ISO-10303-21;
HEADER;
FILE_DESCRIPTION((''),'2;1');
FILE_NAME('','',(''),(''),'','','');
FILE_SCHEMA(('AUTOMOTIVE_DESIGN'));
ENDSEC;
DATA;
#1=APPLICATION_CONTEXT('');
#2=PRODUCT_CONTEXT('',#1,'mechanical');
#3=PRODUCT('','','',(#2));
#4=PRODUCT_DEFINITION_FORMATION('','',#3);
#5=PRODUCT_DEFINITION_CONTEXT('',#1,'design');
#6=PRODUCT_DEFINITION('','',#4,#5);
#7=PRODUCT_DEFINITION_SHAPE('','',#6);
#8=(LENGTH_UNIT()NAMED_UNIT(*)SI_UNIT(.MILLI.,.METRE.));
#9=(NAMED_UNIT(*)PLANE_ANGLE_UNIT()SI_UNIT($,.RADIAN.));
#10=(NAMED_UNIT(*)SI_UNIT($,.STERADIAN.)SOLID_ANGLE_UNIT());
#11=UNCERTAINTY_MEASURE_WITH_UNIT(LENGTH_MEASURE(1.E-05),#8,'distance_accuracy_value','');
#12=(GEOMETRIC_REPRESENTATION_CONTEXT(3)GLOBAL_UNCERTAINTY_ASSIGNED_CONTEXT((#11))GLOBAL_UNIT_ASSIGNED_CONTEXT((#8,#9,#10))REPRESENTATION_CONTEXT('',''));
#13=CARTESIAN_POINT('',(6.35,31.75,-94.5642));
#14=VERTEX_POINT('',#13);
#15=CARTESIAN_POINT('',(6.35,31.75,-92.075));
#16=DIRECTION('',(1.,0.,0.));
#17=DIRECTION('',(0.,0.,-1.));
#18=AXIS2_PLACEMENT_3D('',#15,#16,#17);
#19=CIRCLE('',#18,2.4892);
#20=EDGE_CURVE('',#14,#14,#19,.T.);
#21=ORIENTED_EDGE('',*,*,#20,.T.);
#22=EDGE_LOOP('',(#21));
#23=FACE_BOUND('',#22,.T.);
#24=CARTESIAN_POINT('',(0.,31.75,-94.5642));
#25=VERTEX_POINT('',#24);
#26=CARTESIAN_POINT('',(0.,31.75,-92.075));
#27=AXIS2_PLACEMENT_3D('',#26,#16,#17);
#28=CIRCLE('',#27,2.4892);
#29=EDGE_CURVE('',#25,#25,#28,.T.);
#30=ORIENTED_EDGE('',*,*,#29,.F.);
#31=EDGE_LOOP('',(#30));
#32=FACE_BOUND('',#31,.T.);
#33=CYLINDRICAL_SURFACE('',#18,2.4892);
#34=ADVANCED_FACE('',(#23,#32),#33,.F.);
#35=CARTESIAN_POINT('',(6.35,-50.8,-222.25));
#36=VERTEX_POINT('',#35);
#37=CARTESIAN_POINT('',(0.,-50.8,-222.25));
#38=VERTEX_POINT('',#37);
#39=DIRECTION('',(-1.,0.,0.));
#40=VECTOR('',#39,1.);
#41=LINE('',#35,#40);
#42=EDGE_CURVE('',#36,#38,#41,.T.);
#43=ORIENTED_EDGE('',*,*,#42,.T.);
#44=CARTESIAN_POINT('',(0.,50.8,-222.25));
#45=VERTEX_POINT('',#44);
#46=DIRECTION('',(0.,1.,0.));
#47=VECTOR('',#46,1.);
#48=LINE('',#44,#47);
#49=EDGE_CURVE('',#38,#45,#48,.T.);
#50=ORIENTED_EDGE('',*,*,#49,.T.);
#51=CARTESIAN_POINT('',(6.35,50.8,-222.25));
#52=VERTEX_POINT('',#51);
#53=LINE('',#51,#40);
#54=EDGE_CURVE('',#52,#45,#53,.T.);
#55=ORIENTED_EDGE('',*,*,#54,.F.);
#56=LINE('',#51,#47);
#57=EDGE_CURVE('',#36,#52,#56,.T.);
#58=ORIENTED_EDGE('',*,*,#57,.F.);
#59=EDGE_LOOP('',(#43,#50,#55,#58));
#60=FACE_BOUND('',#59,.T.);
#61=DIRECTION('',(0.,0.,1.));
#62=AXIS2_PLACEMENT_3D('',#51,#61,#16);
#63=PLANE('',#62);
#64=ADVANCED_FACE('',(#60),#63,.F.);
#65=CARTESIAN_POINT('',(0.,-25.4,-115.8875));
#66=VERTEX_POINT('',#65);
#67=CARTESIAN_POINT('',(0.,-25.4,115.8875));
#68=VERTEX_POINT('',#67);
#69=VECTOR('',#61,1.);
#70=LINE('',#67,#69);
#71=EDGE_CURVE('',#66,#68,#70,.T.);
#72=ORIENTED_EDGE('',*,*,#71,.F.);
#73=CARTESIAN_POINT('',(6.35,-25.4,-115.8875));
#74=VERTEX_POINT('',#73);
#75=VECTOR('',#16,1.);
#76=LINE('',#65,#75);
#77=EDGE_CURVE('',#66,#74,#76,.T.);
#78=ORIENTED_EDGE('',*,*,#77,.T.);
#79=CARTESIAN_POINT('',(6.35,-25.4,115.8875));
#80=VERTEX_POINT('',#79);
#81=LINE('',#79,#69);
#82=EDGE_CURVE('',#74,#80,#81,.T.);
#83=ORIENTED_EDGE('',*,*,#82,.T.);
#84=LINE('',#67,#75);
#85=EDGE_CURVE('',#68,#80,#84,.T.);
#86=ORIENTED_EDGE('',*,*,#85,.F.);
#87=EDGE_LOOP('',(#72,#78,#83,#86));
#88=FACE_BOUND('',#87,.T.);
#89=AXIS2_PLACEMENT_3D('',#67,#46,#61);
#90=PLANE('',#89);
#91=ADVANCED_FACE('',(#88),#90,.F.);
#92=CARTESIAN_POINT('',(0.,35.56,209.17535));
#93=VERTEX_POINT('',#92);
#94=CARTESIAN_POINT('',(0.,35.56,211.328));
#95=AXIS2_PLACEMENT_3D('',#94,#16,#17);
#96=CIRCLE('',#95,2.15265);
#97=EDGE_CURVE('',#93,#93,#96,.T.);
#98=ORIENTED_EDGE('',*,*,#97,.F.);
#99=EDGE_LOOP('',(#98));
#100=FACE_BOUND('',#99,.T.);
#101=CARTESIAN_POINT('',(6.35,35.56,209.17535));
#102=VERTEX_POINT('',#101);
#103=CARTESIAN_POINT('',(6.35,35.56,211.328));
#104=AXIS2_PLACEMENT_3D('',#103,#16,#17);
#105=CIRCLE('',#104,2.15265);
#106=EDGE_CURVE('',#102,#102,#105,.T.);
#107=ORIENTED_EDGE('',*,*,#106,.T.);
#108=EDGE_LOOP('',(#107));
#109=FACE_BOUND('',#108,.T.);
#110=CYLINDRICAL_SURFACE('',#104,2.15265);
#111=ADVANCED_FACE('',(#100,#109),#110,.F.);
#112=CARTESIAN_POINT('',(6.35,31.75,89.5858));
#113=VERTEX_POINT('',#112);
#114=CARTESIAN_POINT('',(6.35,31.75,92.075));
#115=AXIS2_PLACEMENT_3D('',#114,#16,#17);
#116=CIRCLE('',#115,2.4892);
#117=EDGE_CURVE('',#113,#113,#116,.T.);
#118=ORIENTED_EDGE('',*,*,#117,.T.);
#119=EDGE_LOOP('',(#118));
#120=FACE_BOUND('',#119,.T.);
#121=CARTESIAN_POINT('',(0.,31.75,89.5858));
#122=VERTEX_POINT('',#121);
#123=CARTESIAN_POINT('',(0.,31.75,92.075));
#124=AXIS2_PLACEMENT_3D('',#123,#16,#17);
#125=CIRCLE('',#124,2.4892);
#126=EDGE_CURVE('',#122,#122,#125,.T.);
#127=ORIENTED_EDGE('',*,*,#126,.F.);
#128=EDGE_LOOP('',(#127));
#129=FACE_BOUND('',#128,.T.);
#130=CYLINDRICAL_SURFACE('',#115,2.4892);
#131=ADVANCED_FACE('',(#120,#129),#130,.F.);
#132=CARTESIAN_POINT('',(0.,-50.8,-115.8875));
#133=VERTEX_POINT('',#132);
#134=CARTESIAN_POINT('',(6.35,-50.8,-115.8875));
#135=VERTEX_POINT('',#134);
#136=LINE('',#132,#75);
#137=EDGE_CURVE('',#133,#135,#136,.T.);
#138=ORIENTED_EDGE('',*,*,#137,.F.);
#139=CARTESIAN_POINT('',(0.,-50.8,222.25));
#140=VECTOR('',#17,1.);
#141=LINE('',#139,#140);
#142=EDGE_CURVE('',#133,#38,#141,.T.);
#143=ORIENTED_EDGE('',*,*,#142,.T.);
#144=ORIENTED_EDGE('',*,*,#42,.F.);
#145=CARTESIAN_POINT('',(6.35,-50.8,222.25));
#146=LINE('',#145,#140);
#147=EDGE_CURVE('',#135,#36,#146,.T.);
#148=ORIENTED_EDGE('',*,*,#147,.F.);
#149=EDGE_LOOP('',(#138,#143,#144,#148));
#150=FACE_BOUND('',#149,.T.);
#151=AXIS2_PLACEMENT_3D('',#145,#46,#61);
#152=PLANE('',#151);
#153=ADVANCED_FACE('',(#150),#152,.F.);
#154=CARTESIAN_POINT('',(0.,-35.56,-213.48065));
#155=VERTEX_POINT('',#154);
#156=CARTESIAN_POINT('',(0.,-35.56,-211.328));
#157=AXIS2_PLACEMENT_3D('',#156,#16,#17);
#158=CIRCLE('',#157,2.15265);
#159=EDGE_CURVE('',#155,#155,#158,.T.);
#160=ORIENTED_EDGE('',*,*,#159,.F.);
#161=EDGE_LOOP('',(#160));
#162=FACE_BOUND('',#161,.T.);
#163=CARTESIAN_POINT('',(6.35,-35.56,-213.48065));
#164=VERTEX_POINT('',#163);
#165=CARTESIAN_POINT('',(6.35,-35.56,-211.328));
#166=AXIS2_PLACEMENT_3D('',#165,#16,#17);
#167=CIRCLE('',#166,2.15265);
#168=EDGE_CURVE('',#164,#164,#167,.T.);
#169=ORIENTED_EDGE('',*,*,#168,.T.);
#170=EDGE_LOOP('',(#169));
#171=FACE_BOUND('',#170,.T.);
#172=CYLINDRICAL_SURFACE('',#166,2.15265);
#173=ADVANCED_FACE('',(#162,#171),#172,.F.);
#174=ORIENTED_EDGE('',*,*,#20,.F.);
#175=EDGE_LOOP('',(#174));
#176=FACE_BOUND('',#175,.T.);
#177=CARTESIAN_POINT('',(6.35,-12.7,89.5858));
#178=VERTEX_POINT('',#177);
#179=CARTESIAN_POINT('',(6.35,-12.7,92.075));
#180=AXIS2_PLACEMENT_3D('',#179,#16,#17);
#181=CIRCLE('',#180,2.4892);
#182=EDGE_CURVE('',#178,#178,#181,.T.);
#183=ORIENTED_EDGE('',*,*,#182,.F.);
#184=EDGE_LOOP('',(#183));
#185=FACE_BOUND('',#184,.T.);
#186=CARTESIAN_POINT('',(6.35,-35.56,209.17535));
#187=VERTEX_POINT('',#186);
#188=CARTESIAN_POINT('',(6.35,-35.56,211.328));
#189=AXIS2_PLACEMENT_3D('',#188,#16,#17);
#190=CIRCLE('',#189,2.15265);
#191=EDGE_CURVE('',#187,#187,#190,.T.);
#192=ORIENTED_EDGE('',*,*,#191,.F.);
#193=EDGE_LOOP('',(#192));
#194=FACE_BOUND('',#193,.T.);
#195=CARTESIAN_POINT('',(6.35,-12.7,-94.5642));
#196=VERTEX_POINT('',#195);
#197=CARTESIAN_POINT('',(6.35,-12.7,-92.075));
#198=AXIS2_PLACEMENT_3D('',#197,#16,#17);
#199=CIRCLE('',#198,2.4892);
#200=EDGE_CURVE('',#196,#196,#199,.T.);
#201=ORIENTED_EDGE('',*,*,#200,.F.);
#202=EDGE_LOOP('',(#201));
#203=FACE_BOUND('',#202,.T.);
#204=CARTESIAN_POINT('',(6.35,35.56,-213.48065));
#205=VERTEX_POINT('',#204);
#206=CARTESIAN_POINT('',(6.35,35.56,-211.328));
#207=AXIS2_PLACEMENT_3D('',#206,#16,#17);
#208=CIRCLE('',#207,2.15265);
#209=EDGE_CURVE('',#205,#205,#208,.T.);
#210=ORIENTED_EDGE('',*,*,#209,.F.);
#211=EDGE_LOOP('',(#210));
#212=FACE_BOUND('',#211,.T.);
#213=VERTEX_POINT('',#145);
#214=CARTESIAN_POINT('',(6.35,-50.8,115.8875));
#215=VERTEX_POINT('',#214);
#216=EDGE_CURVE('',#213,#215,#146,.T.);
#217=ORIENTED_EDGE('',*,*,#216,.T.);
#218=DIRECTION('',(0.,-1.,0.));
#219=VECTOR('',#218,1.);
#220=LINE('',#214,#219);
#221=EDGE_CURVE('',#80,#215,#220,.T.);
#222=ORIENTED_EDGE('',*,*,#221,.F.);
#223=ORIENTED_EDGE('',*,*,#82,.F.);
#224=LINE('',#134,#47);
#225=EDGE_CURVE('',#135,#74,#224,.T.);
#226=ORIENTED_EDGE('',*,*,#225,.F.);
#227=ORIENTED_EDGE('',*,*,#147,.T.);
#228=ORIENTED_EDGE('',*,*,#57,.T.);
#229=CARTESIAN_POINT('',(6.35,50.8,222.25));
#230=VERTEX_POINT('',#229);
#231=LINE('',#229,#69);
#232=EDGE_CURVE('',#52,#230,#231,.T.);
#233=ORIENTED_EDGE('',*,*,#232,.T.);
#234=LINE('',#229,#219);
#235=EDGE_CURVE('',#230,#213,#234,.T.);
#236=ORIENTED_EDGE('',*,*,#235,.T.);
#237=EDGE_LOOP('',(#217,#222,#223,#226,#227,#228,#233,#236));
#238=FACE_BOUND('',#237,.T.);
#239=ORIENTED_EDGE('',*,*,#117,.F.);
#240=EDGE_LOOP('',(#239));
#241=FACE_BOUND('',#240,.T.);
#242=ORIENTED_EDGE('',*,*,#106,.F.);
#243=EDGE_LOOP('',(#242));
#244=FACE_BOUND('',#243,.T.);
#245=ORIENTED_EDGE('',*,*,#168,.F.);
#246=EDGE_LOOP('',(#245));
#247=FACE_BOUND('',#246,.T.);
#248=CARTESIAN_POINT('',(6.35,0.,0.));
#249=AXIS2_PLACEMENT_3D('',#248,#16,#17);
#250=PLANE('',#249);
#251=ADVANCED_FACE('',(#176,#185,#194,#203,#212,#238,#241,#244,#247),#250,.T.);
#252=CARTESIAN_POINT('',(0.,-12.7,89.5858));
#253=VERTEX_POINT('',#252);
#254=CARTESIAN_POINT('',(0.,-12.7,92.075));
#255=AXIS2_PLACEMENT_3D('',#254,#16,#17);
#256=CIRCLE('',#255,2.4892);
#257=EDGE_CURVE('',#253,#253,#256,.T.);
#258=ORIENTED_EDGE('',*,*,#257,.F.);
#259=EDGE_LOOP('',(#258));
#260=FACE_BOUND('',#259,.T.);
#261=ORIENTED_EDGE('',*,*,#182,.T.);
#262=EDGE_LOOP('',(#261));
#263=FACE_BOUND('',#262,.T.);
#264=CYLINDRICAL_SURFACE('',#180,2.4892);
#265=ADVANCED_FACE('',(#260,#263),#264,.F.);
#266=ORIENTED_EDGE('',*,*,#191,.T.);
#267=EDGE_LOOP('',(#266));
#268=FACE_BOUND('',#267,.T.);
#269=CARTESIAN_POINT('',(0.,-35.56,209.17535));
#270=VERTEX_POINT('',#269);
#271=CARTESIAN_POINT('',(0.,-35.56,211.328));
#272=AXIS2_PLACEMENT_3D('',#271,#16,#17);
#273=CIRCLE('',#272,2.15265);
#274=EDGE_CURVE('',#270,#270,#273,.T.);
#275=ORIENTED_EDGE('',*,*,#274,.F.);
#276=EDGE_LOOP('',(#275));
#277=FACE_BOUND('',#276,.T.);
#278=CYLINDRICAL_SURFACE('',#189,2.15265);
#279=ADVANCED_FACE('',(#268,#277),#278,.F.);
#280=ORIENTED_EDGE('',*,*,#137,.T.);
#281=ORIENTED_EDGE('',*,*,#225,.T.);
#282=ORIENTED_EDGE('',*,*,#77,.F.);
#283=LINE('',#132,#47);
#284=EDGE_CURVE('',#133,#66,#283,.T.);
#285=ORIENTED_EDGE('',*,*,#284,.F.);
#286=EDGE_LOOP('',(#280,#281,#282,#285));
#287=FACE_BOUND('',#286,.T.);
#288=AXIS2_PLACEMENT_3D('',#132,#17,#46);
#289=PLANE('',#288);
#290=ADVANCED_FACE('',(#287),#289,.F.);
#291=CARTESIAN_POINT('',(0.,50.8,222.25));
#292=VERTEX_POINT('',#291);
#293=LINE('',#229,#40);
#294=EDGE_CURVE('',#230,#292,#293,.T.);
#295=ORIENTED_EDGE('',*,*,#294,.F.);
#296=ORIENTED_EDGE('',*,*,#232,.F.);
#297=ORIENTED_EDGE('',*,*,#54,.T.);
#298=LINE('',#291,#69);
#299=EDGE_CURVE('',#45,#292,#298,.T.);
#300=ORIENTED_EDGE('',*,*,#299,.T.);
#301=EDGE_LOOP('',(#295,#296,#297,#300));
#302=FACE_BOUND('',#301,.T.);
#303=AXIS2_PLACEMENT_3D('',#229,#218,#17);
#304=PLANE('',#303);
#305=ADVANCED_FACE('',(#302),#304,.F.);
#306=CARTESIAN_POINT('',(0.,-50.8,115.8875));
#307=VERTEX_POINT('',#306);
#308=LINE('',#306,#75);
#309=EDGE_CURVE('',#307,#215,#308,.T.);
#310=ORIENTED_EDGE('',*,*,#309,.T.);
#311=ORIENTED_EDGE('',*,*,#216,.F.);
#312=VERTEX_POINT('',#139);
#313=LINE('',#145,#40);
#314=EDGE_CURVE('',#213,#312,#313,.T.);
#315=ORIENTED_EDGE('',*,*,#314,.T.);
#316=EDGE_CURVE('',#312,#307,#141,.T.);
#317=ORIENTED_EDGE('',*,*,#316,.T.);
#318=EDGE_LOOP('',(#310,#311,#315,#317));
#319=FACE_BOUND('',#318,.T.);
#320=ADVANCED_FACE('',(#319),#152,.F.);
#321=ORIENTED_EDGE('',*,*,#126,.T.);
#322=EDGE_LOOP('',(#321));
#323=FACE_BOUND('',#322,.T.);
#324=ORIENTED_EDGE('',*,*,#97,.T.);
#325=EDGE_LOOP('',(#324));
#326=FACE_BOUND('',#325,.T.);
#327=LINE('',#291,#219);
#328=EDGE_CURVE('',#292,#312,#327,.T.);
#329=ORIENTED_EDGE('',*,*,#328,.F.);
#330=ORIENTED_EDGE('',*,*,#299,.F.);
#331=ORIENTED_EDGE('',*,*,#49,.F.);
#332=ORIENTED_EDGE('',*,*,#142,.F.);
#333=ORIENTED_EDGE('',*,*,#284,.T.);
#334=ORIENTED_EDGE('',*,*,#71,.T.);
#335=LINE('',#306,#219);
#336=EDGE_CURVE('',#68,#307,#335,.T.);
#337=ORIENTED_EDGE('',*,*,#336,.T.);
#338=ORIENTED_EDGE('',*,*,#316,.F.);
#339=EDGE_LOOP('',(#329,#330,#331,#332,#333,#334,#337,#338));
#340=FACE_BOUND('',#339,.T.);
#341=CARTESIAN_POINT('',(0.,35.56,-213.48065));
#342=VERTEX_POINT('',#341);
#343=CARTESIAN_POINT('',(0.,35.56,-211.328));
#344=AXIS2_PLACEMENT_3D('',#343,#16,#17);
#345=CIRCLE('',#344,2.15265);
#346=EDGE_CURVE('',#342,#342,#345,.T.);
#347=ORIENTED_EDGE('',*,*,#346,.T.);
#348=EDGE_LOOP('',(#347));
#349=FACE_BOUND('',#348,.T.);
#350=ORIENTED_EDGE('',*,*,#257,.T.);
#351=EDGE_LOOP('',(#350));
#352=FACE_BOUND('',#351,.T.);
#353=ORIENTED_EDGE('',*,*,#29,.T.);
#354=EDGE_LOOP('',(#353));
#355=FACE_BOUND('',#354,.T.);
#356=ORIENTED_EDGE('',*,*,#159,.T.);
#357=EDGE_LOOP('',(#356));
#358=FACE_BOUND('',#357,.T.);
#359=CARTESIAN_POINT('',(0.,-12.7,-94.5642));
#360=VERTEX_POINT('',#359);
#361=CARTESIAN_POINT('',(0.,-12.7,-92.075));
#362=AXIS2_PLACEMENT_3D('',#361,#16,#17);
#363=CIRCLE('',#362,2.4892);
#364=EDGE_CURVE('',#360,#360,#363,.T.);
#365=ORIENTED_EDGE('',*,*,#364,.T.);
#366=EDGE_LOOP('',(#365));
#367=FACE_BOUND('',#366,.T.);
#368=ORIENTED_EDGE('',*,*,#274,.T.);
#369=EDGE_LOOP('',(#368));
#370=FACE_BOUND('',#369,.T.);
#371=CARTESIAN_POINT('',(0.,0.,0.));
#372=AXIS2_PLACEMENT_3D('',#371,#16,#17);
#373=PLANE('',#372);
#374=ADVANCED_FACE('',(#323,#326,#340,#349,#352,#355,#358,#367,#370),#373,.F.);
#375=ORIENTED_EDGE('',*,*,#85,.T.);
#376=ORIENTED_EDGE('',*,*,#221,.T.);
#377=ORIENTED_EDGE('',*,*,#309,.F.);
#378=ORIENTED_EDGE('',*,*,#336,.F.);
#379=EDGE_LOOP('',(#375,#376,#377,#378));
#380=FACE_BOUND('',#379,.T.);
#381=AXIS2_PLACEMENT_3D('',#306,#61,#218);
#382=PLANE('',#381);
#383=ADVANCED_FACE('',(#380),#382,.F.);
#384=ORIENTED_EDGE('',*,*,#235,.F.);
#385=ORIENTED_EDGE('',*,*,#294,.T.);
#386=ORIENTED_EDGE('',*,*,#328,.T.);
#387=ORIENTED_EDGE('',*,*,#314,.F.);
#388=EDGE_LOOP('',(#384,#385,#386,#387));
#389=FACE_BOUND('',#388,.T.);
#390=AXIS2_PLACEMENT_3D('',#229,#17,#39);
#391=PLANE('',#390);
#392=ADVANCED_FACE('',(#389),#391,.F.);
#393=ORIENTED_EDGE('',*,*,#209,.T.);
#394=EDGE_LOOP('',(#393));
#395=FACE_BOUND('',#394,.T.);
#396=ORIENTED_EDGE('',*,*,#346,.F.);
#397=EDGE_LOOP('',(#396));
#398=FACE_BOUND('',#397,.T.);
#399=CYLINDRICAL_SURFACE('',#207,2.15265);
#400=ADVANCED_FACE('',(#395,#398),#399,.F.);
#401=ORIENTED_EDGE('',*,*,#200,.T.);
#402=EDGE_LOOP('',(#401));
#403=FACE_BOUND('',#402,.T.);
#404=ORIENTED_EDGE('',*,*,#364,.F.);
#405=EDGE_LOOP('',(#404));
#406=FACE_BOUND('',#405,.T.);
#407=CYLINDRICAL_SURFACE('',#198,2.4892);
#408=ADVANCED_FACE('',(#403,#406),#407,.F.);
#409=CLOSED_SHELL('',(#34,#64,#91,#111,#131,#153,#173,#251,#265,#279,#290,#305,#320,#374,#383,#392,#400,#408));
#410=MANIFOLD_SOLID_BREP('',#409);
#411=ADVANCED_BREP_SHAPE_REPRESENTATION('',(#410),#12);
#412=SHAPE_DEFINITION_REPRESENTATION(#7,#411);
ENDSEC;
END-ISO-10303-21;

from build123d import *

# Parameters (mm, degrees)
SKETCH1_W              = 444.5
SKETCH1_H              = 101.6
BOSS_EXTRUDE1_DEPTH    = 6.35
F_10_CLEARANCE_HOLE1_D = 4.9784
F_8_CLEARANCE_HOLE1_D  = 4.3053
SKETCH12_W             = 231.775
SKETCH12_H             = 25.4
CUT_EXTRUDE2_DEPTH     = 229.07021945


with BuildPart() as part:
    # Sketch1 → Boss-Extrude1 (new body)
    with BuildSketch(Plane(origin=(0, 0, 0), x_dir=(0, 0, -1), z_dir=(1, 0, 0))):
        Rectangle(SKETCH1_W, SKETCH1_H)
    extrude(amount=BOSS_EXTRUDE1_DEPTH)

    # #10 Clearance Hole1 (through all)
    with Locations(Plane(origin=(6.35, 0, 0), x_dir=(0, 0, -1), z_dir=(1, 0, 0))):
        with Locations((92.075, 31.75), (92.075, -12.7), (-92.075, 31.75), (-92.075, -12.7)):
            Hole(F_10_CLEARANCE_HOLE1_D / 2)

    # #8 Clearance Hole1 (through all)
    with Locations(Plane(origin=(6.35, 0, 0), x_dir=(0, 0, -1), z_dir=(1, 0, 0))):
        with Locations((-211.328, 35.56), (-211.328, -35.56), (211.328, -35.56), (211.328, 35.56)):
            Hole(F_8_CLEARANCE_HOLE1_D / 2)

    # Sketch12 → Cut-Extrude2 (cut, through all)
    with BuildSketch(Plane(origin=(6.35, 0, 0), x_dir=(0, 0, -1), z_dir=(1, 0, 0))):
        with Locations((0, -38.1)):
            Rectangle(SKETCH12_W, SKETCH12_H)
    extrude(amount=-CUT_EXTRUDE2_DEPTH, mode=Mode.SUBTRACT)


solid = part.part
